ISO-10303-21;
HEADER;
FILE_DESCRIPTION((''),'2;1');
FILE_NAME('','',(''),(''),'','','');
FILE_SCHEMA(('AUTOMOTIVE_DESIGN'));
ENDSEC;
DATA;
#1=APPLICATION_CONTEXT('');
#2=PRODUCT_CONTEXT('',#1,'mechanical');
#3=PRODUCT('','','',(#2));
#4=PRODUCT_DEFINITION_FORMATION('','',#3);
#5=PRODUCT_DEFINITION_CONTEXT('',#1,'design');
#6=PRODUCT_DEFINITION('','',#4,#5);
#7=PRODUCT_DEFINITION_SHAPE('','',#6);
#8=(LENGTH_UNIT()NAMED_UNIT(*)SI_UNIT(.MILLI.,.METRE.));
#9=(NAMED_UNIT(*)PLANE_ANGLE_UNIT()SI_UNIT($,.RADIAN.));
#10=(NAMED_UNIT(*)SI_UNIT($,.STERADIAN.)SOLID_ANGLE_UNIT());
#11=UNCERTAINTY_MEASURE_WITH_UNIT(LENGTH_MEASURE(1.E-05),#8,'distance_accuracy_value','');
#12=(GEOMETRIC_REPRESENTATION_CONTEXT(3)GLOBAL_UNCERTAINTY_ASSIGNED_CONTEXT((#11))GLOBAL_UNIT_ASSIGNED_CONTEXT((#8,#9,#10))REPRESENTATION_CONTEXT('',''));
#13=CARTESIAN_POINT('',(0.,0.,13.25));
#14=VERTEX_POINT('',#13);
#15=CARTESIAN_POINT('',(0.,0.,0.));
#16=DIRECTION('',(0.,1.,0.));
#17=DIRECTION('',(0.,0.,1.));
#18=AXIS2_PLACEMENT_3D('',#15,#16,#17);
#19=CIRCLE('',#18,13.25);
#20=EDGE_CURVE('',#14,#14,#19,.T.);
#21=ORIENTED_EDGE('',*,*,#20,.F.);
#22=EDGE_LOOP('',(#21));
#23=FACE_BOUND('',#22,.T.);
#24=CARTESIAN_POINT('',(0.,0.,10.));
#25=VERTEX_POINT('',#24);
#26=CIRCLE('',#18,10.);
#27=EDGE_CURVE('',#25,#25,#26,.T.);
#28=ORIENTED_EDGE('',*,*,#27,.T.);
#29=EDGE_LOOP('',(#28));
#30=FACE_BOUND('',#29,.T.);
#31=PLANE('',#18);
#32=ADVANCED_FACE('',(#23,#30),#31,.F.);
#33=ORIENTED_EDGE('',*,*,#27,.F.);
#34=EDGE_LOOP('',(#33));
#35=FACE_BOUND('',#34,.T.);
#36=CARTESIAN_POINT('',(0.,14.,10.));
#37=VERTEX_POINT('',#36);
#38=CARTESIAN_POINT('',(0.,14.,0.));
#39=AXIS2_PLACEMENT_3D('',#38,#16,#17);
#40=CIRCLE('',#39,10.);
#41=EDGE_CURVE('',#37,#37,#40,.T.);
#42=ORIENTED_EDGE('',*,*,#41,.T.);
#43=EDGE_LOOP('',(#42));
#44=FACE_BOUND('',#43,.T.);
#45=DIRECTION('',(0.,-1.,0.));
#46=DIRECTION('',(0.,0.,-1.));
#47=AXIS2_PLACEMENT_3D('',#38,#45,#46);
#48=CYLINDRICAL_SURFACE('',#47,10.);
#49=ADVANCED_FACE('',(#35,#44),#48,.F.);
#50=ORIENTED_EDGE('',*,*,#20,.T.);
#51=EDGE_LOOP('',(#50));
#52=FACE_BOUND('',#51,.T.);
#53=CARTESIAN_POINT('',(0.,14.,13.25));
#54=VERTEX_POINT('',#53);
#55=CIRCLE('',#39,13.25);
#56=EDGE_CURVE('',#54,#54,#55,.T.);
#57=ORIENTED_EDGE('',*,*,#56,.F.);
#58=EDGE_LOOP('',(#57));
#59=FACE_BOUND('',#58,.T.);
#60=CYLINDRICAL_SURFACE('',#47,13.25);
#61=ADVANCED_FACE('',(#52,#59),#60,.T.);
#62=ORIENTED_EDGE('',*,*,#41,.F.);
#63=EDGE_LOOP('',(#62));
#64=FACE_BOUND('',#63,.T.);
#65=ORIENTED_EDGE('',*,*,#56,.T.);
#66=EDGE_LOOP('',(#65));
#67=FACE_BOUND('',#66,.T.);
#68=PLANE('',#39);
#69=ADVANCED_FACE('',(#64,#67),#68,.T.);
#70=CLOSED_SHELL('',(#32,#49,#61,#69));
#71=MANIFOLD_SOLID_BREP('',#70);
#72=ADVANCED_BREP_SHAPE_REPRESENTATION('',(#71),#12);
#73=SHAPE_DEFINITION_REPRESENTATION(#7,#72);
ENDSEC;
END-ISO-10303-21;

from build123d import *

# Parameters (mm, degrees)
SKETCH1_R           = 13.25
SKETCH1_R_2         = 10
BOSS_EXTRUDE1_DEPTH = 14


with BuildPart() as part:
    # Sketch1 → Boss-Extrude1 (new body)
    with BuildSketch(Plane(origin=(0, 0, 0), x_dir=(1, 0, 0), z_dir=(0, 1, 0))):
        Circle(SKETCH1_R)
        Circle(SKETCH1_R_2, mode=Mode.SUBTRACT)
    extrude(amount=BOSS_EXTRUDE1_DEPTH)


solid = part.part
